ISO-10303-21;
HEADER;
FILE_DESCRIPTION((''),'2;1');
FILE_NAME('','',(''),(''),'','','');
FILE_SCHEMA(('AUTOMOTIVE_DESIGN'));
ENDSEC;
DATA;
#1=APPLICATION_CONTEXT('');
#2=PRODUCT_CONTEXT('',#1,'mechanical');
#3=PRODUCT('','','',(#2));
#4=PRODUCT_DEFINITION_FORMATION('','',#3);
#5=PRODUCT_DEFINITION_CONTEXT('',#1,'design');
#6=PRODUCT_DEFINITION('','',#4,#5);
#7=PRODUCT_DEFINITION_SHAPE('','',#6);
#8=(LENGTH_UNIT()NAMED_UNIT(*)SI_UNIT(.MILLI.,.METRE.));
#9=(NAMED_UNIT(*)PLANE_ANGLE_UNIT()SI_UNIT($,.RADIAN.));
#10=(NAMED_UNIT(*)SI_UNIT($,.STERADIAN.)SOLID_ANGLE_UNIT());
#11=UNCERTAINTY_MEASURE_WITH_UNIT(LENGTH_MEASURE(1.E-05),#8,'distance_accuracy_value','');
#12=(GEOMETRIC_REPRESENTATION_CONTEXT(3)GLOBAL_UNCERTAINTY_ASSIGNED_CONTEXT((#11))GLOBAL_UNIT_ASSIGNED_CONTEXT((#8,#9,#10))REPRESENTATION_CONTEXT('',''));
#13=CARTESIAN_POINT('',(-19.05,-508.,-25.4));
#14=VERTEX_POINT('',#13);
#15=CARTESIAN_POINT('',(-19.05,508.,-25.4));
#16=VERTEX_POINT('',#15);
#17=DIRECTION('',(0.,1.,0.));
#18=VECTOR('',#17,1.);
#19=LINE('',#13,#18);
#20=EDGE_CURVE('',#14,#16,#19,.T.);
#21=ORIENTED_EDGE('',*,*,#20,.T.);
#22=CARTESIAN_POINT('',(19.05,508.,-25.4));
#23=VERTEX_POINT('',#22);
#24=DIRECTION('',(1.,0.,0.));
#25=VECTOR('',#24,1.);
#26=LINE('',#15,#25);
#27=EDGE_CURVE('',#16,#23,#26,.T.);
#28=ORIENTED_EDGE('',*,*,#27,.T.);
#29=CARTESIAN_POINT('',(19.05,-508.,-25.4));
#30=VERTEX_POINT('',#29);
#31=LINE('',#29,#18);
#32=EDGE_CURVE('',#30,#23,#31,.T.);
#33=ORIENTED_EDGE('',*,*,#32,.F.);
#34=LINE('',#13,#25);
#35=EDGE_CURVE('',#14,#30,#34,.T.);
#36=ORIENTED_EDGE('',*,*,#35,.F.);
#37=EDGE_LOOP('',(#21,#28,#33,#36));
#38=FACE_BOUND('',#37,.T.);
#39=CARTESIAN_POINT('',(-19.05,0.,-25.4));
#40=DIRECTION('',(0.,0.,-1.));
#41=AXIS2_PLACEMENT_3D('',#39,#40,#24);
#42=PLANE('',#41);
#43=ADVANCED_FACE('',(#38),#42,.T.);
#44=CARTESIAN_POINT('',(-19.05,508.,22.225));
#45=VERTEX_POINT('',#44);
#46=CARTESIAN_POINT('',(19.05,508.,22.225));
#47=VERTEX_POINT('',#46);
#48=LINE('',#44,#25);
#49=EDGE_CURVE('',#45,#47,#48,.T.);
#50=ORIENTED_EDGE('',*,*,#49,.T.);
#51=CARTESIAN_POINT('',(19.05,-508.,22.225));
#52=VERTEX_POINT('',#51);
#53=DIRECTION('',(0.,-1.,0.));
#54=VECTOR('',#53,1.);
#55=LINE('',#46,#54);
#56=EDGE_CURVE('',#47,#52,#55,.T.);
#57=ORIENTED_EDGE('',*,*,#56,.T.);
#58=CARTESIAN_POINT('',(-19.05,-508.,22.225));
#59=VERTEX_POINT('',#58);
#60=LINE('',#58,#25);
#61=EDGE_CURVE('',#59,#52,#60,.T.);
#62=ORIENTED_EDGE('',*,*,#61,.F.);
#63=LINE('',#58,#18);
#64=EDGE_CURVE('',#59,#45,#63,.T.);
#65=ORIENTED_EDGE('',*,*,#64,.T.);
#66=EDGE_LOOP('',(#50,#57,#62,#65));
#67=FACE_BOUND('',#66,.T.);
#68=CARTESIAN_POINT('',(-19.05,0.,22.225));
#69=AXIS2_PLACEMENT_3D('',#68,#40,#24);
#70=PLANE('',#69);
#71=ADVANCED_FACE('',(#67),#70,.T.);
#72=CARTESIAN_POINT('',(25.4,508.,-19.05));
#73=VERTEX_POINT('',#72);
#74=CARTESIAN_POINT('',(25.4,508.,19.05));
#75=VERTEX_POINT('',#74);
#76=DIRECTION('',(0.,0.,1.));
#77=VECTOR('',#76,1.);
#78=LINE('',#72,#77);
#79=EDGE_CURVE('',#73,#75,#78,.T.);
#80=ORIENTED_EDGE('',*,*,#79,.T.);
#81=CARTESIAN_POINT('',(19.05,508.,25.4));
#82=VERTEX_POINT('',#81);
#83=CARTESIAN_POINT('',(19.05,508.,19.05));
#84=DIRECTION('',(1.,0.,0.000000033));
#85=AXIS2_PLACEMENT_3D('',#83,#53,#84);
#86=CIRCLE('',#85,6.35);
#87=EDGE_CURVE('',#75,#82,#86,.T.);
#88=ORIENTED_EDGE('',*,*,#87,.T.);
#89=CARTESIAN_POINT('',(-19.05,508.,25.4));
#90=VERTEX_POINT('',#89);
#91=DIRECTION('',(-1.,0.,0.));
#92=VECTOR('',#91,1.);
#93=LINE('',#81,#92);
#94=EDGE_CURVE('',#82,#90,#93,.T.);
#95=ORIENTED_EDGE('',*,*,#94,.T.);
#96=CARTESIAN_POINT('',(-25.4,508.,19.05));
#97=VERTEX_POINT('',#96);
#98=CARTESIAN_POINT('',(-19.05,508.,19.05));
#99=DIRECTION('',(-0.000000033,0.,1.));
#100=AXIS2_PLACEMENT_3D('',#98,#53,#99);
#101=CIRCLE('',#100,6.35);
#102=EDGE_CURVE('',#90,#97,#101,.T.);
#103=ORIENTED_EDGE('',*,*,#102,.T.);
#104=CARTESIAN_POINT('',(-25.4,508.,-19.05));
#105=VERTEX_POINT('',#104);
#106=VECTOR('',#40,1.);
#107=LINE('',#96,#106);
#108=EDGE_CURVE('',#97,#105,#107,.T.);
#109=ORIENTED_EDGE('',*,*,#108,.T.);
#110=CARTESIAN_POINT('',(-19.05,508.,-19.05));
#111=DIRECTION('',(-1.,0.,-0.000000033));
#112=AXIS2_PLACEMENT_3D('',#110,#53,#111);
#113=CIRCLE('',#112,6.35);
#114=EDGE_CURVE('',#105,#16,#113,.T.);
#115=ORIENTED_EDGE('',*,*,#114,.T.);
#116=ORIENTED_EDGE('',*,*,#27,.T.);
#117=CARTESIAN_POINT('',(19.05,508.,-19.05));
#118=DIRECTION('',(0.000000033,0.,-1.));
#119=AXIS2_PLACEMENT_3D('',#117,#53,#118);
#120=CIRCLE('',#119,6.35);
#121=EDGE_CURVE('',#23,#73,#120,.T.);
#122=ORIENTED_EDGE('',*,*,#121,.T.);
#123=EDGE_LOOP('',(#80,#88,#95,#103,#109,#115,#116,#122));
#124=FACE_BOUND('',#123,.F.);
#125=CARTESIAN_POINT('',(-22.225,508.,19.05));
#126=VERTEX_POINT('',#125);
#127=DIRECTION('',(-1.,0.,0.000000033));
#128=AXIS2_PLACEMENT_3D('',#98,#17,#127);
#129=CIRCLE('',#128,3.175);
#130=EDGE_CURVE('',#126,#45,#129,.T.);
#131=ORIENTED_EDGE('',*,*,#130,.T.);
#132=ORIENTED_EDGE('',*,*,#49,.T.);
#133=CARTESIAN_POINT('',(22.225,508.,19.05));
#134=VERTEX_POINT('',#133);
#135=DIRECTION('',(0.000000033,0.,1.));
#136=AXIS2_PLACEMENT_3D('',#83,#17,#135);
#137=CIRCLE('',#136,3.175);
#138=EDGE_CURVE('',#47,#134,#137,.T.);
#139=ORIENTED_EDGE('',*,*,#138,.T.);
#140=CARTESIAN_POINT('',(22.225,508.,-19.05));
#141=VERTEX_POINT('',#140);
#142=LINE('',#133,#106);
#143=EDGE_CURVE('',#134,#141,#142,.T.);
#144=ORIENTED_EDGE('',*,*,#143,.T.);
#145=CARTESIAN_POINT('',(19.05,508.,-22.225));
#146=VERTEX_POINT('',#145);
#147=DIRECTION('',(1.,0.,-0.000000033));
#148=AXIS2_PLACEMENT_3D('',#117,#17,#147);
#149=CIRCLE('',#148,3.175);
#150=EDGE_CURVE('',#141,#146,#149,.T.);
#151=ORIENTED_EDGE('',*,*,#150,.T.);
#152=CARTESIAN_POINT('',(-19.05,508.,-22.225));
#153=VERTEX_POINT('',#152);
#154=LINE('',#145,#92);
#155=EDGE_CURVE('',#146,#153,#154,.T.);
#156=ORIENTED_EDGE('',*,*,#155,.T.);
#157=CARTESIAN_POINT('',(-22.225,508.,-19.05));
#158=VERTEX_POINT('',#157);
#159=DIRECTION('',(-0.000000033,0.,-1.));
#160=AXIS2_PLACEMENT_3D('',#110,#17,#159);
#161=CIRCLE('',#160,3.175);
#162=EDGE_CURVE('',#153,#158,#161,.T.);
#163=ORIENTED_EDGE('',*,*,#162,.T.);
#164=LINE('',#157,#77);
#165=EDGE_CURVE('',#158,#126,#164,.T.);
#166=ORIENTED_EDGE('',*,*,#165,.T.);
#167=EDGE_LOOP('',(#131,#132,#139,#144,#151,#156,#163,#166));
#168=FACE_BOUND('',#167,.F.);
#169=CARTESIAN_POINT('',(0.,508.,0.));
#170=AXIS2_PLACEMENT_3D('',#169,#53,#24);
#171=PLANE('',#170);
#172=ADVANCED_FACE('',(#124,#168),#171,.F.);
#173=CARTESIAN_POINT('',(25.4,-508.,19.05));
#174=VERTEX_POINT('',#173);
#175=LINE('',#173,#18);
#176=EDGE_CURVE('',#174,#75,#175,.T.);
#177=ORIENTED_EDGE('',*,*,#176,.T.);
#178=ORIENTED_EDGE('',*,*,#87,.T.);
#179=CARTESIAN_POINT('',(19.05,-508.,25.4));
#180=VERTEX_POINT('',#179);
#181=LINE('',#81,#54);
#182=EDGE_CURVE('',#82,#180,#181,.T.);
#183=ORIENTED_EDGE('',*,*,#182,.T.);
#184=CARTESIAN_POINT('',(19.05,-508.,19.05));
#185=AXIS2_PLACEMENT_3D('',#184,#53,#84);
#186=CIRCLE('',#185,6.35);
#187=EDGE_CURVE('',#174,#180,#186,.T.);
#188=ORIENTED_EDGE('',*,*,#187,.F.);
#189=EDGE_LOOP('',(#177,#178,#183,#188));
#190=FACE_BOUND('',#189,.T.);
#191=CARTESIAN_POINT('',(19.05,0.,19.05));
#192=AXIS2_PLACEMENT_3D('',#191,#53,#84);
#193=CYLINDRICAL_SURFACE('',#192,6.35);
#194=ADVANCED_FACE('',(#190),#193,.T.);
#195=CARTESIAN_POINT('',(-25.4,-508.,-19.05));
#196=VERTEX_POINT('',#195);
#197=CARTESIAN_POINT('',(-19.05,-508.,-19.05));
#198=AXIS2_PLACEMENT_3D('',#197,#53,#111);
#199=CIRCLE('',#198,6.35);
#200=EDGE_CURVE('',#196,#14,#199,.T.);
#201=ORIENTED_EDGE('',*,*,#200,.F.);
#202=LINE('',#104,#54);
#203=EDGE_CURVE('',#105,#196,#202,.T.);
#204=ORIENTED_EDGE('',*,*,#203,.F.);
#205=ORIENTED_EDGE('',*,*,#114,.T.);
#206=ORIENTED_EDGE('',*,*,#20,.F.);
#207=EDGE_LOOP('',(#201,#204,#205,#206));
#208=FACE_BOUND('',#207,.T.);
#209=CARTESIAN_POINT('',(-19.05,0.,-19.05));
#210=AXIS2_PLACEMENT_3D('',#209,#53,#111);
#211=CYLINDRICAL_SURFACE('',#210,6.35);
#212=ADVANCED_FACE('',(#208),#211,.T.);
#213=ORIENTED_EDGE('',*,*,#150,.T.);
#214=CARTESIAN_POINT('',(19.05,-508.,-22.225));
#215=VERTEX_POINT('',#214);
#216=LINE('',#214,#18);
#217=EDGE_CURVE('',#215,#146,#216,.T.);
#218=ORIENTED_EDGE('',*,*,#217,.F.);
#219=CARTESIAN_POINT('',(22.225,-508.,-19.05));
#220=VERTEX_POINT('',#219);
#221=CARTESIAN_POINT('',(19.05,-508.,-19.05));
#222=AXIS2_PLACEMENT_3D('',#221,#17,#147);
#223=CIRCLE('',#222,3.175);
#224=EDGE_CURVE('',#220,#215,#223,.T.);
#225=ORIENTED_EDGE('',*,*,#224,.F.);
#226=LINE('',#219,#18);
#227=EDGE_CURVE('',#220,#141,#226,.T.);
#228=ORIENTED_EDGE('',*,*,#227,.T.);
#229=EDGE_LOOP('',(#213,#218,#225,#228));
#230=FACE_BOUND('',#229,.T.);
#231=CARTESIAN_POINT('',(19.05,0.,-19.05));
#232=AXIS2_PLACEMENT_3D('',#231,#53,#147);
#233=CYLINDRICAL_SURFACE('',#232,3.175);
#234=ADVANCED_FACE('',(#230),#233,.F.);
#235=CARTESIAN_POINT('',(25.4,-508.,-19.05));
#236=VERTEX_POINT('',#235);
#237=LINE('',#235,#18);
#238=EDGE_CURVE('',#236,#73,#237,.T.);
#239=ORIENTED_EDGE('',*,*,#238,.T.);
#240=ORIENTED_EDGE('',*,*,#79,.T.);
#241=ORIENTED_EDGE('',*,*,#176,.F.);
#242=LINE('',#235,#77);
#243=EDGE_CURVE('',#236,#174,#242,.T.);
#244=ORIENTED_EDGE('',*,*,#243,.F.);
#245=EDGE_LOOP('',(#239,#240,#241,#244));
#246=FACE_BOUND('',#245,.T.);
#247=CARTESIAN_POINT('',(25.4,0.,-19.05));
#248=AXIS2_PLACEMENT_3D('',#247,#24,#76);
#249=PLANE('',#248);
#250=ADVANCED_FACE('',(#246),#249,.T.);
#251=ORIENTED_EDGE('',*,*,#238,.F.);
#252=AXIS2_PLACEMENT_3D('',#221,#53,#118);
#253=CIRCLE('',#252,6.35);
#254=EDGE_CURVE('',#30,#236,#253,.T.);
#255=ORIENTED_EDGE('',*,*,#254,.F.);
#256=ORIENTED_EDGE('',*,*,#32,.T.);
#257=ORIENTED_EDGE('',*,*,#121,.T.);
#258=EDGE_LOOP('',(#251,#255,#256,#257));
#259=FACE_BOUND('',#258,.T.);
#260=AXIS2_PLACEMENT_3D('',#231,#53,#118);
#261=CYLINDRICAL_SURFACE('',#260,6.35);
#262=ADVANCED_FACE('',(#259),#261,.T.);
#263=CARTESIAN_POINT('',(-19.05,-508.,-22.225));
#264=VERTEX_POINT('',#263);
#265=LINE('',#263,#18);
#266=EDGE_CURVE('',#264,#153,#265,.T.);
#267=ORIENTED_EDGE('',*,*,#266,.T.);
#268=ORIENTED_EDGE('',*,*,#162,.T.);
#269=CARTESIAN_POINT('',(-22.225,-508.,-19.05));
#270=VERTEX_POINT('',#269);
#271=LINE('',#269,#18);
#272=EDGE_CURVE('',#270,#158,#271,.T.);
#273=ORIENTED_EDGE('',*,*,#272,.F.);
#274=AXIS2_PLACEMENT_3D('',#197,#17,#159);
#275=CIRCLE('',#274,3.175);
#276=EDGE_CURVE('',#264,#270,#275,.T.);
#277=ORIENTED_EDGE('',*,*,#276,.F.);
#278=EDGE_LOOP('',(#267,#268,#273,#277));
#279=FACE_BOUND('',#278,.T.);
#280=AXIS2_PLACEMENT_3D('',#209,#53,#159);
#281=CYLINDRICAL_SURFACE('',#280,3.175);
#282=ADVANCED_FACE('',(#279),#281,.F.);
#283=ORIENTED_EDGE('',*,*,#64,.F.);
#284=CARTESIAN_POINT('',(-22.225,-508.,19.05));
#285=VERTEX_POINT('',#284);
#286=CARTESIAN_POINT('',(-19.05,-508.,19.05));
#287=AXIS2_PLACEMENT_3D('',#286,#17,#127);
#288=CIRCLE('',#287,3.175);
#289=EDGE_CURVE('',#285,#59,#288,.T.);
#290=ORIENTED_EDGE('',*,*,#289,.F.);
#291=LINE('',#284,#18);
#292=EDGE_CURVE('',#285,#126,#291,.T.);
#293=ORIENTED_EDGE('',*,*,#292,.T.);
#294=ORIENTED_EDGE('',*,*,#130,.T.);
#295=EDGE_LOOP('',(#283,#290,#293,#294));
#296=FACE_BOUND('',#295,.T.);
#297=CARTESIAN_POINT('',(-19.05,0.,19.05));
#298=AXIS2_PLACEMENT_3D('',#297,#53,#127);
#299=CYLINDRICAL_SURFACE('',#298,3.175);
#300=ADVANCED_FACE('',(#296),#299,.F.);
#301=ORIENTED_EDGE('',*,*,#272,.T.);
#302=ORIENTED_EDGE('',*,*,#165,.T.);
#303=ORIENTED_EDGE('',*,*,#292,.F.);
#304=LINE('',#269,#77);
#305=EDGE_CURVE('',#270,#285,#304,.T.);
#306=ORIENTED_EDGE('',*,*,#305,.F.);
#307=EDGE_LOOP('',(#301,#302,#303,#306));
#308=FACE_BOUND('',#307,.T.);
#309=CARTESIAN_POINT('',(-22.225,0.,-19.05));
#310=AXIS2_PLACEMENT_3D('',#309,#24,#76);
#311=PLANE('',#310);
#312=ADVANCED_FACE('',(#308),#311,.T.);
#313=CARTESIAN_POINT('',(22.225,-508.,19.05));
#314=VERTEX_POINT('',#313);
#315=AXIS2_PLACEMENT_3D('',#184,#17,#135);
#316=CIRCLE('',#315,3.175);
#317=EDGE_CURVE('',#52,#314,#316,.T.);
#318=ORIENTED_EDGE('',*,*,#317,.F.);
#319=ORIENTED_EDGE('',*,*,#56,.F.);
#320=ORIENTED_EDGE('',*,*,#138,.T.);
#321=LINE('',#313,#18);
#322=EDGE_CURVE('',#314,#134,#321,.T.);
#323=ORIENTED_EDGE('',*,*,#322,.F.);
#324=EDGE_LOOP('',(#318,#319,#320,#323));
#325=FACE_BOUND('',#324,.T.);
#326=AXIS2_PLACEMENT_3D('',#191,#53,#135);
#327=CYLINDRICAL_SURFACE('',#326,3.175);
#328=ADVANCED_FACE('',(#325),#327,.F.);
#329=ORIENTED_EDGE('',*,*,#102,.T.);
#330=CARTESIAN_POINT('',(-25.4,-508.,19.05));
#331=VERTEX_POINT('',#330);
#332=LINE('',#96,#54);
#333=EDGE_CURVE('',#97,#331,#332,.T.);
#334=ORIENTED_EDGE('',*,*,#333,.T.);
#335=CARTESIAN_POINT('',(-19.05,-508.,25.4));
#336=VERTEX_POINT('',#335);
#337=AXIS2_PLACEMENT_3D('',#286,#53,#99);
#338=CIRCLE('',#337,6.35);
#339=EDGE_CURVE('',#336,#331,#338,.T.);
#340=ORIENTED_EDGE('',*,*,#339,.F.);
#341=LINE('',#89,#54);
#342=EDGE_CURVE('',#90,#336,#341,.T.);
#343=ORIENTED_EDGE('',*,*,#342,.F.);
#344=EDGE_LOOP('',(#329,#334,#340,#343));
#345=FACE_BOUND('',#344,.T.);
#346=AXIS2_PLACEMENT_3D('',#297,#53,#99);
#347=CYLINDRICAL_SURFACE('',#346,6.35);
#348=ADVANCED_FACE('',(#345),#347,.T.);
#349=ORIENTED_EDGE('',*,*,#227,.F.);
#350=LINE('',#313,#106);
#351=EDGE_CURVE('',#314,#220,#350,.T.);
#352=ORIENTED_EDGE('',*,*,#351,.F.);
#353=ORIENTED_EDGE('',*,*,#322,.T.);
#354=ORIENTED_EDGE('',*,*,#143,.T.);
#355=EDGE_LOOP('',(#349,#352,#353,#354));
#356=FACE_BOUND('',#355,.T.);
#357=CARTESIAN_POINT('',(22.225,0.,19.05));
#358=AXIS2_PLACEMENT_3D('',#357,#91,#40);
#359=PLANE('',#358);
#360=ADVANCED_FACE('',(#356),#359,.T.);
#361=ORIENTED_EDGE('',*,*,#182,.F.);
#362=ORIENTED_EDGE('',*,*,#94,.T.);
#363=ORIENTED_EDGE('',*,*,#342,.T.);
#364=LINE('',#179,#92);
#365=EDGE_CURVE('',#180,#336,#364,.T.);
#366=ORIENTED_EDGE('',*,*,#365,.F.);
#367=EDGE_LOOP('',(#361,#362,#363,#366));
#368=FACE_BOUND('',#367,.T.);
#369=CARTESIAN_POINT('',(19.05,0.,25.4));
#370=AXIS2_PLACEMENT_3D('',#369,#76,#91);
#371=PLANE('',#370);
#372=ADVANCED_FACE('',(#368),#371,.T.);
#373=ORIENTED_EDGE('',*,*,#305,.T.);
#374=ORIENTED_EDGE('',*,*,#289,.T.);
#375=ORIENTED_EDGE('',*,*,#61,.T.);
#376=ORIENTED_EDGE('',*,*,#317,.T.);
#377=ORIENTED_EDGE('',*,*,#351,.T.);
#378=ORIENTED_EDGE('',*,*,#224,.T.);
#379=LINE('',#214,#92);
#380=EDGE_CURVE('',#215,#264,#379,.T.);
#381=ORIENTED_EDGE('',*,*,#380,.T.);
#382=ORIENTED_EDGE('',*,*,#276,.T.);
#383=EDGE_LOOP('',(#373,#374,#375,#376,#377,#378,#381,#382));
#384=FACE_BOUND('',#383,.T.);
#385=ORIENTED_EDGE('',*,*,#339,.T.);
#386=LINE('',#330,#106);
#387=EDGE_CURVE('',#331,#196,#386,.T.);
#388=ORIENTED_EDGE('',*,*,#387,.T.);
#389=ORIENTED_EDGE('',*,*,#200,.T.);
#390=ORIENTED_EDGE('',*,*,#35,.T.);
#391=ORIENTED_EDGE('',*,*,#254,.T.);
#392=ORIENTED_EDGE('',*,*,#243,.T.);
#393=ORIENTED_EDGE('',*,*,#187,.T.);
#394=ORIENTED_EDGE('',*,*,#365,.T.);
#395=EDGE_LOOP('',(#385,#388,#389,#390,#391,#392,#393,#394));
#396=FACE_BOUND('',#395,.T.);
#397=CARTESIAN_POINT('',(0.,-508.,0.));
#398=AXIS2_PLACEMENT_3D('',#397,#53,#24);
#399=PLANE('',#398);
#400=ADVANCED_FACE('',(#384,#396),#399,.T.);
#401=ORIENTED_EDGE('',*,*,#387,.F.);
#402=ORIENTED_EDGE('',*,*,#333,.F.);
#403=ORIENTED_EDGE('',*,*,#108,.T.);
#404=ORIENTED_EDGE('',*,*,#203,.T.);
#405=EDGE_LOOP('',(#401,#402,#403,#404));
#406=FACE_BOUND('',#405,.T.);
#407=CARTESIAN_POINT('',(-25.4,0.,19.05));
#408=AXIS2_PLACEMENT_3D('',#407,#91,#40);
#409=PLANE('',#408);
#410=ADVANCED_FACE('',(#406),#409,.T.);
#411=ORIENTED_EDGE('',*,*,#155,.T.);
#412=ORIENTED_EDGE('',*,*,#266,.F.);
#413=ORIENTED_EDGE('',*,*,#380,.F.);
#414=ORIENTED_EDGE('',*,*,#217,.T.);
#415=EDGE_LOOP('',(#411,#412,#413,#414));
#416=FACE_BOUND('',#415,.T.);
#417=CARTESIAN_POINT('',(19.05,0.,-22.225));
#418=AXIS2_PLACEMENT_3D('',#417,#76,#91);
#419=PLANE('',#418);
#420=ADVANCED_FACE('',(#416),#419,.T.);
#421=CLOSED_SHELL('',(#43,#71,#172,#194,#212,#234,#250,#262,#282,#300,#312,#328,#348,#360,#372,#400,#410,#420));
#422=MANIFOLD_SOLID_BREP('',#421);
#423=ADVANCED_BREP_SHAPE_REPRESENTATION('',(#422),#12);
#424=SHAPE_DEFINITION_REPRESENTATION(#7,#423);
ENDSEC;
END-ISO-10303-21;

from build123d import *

# Parameters (mm, degrees)
F1_DEPTH = 508


with BuildPart() as f1:
    # F0 (on Front) → F1 (new body, symmetric)
    with BuildSketch(Plane.XZ):
        with BuildLine():
            ThreePointArc((25.4, 19.05), (23.540128, 23.540128), (19.05, 25.4))
            Line((19.05, 25.4), (-19.05, 25.4))
            ThreePointArc((-19.05, 25.4), (-23.540128, 23.540128), (-25.4, 19.05))
            Line((-25.4, 19.05), (-25.4, -19.05))
            ThreePointArc((-25.4, -19.05), (-23.540128, -23.540128), (-19.05, -25.4))
            Line((-19.05, -25.4), (19.05, -25.4))
            ThreePointArc((19.05, -25.4), (23.540128, -23.540128), (25.4, -19.05))
            Line((25.4, -19.05), (25.4, 19.05))
        make_face()
        with BuildLine():
            ThreePointArc((19.05, 22.225), (21.295064, 21.295064), (22.225, 19.05))
            Line((22.225, 19.05), (22.225, -19.05))
            ThreePointArc((22.225, -19.05), (21.295064, -21.295064), (19.05, -22.225))
            Line((19.05, -22.225), (-19.05, -22.225))
            ThreePointArc((-19.05, -22.225), (-21.295064, -21.295064), (-22.225, -19.05))
            Line((-22.225, -19.05), (-22.225, 19.05))
            ThreePointArc((-22.225, 19.05), (-21.295064, 21.295064), (-19.05, 22.225))
            Line((-19.05, 22.225), (19.05, 22.225))
        make_face(mode=Mode.SUBTRACT)
    extrude(amount=F1_DEPTH, both=True)


solid = f1.part
